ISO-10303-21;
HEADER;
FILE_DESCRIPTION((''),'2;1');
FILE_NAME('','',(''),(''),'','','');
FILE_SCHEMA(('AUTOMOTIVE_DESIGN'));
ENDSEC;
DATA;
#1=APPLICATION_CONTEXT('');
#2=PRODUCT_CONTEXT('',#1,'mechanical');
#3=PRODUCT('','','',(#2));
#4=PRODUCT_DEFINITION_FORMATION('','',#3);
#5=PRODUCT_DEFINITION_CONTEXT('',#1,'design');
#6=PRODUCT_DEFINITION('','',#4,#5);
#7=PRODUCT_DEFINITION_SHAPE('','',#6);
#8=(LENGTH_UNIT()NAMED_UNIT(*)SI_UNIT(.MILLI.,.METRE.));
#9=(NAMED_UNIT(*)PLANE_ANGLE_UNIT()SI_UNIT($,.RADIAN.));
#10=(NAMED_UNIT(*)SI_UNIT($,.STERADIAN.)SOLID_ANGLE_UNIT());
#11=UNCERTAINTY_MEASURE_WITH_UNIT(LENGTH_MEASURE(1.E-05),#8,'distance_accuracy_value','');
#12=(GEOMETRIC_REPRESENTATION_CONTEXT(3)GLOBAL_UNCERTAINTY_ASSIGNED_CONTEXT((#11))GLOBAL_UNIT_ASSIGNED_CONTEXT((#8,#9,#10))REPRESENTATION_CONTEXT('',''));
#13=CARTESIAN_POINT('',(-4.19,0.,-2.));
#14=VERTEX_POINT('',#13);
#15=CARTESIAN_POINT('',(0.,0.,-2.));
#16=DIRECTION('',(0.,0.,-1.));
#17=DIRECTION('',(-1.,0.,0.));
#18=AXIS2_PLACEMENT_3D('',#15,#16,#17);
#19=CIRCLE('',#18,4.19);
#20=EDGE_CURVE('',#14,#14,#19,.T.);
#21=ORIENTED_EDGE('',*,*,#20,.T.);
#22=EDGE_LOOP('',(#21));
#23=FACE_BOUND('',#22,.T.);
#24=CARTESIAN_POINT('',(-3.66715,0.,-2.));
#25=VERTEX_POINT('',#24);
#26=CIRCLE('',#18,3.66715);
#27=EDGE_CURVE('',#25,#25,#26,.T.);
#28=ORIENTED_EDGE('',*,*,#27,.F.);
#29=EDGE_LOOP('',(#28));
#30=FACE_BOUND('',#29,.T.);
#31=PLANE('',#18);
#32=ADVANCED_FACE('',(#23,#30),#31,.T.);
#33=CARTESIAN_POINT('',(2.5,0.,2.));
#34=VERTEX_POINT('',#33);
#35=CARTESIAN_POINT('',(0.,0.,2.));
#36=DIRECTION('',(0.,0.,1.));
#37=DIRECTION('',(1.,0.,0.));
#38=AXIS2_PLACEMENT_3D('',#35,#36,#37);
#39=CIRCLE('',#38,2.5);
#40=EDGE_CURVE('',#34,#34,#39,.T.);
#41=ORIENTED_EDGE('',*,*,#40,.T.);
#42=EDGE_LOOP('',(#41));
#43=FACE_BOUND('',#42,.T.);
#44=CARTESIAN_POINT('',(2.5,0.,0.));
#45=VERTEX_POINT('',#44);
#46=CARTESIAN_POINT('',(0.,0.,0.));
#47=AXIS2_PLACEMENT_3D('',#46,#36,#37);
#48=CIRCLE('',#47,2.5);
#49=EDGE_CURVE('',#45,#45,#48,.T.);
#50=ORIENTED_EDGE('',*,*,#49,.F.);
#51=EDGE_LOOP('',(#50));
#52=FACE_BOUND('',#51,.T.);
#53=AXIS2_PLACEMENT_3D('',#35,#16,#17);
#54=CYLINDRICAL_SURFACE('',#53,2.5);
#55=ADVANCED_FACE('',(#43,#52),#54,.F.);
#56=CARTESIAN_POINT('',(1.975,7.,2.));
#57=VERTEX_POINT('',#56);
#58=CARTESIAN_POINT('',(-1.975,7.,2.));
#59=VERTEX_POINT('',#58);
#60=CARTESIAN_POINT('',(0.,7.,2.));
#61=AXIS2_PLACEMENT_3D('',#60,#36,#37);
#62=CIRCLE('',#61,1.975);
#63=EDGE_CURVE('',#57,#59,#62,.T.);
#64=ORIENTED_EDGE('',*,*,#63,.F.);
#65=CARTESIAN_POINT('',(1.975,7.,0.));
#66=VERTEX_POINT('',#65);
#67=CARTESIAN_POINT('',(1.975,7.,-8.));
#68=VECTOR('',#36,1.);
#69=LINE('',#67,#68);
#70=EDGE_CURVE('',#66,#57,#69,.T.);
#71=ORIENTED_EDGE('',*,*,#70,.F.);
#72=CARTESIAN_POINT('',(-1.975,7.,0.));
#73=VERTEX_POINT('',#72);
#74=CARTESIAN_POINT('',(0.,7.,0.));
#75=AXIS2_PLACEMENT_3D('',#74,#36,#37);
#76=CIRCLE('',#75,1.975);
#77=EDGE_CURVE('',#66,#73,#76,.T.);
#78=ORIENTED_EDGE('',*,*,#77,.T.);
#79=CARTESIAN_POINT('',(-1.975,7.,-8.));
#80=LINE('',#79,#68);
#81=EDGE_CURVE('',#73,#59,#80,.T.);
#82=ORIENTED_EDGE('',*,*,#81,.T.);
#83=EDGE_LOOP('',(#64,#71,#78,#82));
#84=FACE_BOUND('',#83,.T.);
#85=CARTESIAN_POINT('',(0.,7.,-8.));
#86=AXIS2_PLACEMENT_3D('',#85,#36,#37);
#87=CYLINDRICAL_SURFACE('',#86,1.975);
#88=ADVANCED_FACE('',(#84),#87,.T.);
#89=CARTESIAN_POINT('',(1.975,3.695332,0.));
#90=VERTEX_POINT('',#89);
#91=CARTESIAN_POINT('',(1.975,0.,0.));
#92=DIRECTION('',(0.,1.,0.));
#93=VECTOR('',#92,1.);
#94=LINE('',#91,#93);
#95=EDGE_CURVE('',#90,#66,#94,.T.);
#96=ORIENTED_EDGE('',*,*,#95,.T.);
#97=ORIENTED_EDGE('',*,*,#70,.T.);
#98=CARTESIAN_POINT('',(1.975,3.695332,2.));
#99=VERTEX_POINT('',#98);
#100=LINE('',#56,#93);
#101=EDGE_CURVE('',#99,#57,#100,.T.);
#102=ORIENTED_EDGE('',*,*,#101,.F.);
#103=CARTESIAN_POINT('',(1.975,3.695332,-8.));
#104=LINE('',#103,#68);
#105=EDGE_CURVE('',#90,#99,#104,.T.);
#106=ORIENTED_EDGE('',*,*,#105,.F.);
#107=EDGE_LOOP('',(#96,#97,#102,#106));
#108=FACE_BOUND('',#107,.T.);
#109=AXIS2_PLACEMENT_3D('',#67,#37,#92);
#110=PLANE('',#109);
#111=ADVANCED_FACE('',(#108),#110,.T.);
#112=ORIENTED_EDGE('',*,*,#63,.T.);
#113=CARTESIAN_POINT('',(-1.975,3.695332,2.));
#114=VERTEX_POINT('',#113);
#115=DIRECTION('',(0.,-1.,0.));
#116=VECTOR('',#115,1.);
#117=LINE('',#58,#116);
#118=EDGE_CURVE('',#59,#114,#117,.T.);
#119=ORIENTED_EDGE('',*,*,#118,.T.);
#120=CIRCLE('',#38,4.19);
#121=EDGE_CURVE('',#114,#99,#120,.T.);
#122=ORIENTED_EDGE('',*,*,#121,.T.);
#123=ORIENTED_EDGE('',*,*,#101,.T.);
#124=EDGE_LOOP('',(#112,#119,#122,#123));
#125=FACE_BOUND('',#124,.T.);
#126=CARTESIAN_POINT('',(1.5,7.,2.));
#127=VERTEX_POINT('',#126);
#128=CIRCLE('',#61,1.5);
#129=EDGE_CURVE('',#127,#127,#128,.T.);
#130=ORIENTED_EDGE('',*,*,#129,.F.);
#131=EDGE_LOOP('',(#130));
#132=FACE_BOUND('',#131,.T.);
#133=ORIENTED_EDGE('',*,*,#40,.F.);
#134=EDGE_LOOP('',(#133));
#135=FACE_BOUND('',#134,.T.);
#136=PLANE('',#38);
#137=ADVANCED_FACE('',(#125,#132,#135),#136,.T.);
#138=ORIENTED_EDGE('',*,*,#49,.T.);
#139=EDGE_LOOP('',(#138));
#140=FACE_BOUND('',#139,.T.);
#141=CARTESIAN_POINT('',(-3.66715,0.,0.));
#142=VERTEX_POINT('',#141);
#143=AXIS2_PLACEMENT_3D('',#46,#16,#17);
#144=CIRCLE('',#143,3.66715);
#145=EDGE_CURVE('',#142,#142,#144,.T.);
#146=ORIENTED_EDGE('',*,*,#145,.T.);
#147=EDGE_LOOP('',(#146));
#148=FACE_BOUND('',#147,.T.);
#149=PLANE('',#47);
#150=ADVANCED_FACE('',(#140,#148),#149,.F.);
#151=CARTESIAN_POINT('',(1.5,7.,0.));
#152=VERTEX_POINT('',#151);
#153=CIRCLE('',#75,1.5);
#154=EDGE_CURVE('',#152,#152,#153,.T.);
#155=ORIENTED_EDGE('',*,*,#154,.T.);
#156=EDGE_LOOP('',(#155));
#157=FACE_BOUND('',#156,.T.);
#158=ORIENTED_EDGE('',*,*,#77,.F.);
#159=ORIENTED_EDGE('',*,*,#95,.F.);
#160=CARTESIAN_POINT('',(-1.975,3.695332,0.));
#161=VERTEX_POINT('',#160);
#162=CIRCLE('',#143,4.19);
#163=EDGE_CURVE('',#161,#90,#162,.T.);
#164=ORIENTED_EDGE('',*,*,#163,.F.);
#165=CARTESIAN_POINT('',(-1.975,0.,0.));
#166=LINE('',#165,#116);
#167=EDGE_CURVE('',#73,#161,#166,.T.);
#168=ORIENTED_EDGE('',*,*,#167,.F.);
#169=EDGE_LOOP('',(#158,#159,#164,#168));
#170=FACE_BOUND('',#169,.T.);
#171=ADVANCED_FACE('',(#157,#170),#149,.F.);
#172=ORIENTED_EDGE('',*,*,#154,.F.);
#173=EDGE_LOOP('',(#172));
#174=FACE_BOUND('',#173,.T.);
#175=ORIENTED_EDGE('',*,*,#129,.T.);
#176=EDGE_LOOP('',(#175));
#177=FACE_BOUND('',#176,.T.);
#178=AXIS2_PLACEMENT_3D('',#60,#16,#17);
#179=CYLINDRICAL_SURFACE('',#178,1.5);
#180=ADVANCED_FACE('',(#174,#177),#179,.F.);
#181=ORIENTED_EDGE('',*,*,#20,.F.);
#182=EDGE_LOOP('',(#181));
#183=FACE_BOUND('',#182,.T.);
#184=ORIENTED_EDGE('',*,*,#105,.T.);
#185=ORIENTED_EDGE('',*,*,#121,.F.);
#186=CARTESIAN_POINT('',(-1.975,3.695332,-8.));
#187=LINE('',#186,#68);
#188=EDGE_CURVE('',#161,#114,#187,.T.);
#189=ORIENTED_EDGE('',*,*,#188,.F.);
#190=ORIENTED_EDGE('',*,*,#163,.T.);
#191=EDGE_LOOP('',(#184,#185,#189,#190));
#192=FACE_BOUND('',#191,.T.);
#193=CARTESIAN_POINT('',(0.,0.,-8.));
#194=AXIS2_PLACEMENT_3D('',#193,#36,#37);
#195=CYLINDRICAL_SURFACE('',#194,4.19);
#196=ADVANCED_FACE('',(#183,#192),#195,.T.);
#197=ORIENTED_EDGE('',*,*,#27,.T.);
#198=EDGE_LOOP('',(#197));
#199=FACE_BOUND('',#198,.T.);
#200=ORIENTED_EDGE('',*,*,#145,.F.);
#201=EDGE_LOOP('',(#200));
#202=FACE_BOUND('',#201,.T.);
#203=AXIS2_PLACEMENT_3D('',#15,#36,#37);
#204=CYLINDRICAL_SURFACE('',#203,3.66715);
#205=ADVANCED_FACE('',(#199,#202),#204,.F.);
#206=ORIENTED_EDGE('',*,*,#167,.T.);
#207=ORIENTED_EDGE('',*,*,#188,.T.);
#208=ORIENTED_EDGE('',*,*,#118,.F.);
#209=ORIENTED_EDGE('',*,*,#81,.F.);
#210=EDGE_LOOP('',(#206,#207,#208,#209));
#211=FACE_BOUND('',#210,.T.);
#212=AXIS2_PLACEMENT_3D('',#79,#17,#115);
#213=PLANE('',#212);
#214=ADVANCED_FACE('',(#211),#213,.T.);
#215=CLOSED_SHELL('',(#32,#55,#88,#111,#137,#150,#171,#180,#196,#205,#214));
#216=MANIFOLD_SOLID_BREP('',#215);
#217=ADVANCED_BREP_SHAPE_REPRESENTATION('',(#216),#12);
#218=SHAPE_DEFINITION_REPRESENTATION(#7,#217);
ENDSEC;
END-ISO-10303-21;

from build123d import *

# Parameters (mm, degrees)
SKETCH1_R           = 10
SKETCH1_R_2         = 1.5000000000000004
SKETCH1_R_3         = 2.5
BOSS_EXTRUDE1_DEPTH = 2
CUT_EXTRUDE1_START  = -10
SKETCH2_R           = 10
CUT_EXTRUDE1_DEPTH  = 10
BOSS_EXTRUDE3_START = 2
SKETCH4_R           = 4.1899999999999995
SKETCH4_R_2         = 3.667149527921724
BOSS_EXTRUDE3_DEPTH = 2


with BuildPart() as part:
    # Sketch1 → Boss-Extrude1 (new body)
    with BuildSketch(Plane.XY):
        Circle(SKETCH1_R)
        with Locations((0, 7)):
            Circle(SKETCH1_R_2, mode=Mode.SUBTRACT)
        Circle(SKETCH1_R_3, mode=Mode.SUBTRACT)
    extrude(amount=BOSS_EXTRUDE1_DEPTH)

    # Sketch2 → Cut-Extrude1 (cut)
    with BuildSketch(Plane.XY.offset(2).offset(CUT_EXTRUDE1_START)):
        Circle(SKETCH2_R)
        with BuildLine():
            Line((-1.975, 7), (-1.9749999999999994, 3.6953315142216945))
            ThreePointArc((-1.9749999999999994, 3.6953315142216945), (-3.593838477171726, 2.1541645712433404), (-4.1899999999999995, 0))
            ThreePointArc((-4.1899999999999995, 0), (-7.7e-16, -4.1899999999999995), (4.189999999999998, 3.47e-15))
            ThreePointArc((4.189999999999998, 3.47e-15), (3.5938384771717247, 2.1541645712433426), (1.9749999999999959, 3.6953315142216963))
            Line((1.9749999999999959, 3.6953315142216963), (1.974999999999994, 7.000000000000001))
            ThreePointArc((1.974999999999994, 7.000000000000001), (-3.2e-16, 8.974999999999994), (-1.975, 7))
        make_face(mode=Mode.SUBTRACT)
    extrude(amount=CUT_EXTRUDE1_DEPTH, mode=Mode.SUBTRACT)

    # Sketch4 → Boss-Extrude3 (add)
    with BuildSketch(Plane(origin=(0, 0, 0), x_dir=(-1, 0, 0), z_dir=(0, 0, -1)).offset(BOSS_EXTRUDE3_START)):
        with Locations(Location((0, 0, 0), (0, 0, 118.122638153))):
            Circle(SKETCH4_R)
        Circle(SKETCH4_R_2, mode=Mode.SUBTRACT)
    extrude(amount=-BOSS_EXTRUDE3_DEPTH)


solid = part.part
